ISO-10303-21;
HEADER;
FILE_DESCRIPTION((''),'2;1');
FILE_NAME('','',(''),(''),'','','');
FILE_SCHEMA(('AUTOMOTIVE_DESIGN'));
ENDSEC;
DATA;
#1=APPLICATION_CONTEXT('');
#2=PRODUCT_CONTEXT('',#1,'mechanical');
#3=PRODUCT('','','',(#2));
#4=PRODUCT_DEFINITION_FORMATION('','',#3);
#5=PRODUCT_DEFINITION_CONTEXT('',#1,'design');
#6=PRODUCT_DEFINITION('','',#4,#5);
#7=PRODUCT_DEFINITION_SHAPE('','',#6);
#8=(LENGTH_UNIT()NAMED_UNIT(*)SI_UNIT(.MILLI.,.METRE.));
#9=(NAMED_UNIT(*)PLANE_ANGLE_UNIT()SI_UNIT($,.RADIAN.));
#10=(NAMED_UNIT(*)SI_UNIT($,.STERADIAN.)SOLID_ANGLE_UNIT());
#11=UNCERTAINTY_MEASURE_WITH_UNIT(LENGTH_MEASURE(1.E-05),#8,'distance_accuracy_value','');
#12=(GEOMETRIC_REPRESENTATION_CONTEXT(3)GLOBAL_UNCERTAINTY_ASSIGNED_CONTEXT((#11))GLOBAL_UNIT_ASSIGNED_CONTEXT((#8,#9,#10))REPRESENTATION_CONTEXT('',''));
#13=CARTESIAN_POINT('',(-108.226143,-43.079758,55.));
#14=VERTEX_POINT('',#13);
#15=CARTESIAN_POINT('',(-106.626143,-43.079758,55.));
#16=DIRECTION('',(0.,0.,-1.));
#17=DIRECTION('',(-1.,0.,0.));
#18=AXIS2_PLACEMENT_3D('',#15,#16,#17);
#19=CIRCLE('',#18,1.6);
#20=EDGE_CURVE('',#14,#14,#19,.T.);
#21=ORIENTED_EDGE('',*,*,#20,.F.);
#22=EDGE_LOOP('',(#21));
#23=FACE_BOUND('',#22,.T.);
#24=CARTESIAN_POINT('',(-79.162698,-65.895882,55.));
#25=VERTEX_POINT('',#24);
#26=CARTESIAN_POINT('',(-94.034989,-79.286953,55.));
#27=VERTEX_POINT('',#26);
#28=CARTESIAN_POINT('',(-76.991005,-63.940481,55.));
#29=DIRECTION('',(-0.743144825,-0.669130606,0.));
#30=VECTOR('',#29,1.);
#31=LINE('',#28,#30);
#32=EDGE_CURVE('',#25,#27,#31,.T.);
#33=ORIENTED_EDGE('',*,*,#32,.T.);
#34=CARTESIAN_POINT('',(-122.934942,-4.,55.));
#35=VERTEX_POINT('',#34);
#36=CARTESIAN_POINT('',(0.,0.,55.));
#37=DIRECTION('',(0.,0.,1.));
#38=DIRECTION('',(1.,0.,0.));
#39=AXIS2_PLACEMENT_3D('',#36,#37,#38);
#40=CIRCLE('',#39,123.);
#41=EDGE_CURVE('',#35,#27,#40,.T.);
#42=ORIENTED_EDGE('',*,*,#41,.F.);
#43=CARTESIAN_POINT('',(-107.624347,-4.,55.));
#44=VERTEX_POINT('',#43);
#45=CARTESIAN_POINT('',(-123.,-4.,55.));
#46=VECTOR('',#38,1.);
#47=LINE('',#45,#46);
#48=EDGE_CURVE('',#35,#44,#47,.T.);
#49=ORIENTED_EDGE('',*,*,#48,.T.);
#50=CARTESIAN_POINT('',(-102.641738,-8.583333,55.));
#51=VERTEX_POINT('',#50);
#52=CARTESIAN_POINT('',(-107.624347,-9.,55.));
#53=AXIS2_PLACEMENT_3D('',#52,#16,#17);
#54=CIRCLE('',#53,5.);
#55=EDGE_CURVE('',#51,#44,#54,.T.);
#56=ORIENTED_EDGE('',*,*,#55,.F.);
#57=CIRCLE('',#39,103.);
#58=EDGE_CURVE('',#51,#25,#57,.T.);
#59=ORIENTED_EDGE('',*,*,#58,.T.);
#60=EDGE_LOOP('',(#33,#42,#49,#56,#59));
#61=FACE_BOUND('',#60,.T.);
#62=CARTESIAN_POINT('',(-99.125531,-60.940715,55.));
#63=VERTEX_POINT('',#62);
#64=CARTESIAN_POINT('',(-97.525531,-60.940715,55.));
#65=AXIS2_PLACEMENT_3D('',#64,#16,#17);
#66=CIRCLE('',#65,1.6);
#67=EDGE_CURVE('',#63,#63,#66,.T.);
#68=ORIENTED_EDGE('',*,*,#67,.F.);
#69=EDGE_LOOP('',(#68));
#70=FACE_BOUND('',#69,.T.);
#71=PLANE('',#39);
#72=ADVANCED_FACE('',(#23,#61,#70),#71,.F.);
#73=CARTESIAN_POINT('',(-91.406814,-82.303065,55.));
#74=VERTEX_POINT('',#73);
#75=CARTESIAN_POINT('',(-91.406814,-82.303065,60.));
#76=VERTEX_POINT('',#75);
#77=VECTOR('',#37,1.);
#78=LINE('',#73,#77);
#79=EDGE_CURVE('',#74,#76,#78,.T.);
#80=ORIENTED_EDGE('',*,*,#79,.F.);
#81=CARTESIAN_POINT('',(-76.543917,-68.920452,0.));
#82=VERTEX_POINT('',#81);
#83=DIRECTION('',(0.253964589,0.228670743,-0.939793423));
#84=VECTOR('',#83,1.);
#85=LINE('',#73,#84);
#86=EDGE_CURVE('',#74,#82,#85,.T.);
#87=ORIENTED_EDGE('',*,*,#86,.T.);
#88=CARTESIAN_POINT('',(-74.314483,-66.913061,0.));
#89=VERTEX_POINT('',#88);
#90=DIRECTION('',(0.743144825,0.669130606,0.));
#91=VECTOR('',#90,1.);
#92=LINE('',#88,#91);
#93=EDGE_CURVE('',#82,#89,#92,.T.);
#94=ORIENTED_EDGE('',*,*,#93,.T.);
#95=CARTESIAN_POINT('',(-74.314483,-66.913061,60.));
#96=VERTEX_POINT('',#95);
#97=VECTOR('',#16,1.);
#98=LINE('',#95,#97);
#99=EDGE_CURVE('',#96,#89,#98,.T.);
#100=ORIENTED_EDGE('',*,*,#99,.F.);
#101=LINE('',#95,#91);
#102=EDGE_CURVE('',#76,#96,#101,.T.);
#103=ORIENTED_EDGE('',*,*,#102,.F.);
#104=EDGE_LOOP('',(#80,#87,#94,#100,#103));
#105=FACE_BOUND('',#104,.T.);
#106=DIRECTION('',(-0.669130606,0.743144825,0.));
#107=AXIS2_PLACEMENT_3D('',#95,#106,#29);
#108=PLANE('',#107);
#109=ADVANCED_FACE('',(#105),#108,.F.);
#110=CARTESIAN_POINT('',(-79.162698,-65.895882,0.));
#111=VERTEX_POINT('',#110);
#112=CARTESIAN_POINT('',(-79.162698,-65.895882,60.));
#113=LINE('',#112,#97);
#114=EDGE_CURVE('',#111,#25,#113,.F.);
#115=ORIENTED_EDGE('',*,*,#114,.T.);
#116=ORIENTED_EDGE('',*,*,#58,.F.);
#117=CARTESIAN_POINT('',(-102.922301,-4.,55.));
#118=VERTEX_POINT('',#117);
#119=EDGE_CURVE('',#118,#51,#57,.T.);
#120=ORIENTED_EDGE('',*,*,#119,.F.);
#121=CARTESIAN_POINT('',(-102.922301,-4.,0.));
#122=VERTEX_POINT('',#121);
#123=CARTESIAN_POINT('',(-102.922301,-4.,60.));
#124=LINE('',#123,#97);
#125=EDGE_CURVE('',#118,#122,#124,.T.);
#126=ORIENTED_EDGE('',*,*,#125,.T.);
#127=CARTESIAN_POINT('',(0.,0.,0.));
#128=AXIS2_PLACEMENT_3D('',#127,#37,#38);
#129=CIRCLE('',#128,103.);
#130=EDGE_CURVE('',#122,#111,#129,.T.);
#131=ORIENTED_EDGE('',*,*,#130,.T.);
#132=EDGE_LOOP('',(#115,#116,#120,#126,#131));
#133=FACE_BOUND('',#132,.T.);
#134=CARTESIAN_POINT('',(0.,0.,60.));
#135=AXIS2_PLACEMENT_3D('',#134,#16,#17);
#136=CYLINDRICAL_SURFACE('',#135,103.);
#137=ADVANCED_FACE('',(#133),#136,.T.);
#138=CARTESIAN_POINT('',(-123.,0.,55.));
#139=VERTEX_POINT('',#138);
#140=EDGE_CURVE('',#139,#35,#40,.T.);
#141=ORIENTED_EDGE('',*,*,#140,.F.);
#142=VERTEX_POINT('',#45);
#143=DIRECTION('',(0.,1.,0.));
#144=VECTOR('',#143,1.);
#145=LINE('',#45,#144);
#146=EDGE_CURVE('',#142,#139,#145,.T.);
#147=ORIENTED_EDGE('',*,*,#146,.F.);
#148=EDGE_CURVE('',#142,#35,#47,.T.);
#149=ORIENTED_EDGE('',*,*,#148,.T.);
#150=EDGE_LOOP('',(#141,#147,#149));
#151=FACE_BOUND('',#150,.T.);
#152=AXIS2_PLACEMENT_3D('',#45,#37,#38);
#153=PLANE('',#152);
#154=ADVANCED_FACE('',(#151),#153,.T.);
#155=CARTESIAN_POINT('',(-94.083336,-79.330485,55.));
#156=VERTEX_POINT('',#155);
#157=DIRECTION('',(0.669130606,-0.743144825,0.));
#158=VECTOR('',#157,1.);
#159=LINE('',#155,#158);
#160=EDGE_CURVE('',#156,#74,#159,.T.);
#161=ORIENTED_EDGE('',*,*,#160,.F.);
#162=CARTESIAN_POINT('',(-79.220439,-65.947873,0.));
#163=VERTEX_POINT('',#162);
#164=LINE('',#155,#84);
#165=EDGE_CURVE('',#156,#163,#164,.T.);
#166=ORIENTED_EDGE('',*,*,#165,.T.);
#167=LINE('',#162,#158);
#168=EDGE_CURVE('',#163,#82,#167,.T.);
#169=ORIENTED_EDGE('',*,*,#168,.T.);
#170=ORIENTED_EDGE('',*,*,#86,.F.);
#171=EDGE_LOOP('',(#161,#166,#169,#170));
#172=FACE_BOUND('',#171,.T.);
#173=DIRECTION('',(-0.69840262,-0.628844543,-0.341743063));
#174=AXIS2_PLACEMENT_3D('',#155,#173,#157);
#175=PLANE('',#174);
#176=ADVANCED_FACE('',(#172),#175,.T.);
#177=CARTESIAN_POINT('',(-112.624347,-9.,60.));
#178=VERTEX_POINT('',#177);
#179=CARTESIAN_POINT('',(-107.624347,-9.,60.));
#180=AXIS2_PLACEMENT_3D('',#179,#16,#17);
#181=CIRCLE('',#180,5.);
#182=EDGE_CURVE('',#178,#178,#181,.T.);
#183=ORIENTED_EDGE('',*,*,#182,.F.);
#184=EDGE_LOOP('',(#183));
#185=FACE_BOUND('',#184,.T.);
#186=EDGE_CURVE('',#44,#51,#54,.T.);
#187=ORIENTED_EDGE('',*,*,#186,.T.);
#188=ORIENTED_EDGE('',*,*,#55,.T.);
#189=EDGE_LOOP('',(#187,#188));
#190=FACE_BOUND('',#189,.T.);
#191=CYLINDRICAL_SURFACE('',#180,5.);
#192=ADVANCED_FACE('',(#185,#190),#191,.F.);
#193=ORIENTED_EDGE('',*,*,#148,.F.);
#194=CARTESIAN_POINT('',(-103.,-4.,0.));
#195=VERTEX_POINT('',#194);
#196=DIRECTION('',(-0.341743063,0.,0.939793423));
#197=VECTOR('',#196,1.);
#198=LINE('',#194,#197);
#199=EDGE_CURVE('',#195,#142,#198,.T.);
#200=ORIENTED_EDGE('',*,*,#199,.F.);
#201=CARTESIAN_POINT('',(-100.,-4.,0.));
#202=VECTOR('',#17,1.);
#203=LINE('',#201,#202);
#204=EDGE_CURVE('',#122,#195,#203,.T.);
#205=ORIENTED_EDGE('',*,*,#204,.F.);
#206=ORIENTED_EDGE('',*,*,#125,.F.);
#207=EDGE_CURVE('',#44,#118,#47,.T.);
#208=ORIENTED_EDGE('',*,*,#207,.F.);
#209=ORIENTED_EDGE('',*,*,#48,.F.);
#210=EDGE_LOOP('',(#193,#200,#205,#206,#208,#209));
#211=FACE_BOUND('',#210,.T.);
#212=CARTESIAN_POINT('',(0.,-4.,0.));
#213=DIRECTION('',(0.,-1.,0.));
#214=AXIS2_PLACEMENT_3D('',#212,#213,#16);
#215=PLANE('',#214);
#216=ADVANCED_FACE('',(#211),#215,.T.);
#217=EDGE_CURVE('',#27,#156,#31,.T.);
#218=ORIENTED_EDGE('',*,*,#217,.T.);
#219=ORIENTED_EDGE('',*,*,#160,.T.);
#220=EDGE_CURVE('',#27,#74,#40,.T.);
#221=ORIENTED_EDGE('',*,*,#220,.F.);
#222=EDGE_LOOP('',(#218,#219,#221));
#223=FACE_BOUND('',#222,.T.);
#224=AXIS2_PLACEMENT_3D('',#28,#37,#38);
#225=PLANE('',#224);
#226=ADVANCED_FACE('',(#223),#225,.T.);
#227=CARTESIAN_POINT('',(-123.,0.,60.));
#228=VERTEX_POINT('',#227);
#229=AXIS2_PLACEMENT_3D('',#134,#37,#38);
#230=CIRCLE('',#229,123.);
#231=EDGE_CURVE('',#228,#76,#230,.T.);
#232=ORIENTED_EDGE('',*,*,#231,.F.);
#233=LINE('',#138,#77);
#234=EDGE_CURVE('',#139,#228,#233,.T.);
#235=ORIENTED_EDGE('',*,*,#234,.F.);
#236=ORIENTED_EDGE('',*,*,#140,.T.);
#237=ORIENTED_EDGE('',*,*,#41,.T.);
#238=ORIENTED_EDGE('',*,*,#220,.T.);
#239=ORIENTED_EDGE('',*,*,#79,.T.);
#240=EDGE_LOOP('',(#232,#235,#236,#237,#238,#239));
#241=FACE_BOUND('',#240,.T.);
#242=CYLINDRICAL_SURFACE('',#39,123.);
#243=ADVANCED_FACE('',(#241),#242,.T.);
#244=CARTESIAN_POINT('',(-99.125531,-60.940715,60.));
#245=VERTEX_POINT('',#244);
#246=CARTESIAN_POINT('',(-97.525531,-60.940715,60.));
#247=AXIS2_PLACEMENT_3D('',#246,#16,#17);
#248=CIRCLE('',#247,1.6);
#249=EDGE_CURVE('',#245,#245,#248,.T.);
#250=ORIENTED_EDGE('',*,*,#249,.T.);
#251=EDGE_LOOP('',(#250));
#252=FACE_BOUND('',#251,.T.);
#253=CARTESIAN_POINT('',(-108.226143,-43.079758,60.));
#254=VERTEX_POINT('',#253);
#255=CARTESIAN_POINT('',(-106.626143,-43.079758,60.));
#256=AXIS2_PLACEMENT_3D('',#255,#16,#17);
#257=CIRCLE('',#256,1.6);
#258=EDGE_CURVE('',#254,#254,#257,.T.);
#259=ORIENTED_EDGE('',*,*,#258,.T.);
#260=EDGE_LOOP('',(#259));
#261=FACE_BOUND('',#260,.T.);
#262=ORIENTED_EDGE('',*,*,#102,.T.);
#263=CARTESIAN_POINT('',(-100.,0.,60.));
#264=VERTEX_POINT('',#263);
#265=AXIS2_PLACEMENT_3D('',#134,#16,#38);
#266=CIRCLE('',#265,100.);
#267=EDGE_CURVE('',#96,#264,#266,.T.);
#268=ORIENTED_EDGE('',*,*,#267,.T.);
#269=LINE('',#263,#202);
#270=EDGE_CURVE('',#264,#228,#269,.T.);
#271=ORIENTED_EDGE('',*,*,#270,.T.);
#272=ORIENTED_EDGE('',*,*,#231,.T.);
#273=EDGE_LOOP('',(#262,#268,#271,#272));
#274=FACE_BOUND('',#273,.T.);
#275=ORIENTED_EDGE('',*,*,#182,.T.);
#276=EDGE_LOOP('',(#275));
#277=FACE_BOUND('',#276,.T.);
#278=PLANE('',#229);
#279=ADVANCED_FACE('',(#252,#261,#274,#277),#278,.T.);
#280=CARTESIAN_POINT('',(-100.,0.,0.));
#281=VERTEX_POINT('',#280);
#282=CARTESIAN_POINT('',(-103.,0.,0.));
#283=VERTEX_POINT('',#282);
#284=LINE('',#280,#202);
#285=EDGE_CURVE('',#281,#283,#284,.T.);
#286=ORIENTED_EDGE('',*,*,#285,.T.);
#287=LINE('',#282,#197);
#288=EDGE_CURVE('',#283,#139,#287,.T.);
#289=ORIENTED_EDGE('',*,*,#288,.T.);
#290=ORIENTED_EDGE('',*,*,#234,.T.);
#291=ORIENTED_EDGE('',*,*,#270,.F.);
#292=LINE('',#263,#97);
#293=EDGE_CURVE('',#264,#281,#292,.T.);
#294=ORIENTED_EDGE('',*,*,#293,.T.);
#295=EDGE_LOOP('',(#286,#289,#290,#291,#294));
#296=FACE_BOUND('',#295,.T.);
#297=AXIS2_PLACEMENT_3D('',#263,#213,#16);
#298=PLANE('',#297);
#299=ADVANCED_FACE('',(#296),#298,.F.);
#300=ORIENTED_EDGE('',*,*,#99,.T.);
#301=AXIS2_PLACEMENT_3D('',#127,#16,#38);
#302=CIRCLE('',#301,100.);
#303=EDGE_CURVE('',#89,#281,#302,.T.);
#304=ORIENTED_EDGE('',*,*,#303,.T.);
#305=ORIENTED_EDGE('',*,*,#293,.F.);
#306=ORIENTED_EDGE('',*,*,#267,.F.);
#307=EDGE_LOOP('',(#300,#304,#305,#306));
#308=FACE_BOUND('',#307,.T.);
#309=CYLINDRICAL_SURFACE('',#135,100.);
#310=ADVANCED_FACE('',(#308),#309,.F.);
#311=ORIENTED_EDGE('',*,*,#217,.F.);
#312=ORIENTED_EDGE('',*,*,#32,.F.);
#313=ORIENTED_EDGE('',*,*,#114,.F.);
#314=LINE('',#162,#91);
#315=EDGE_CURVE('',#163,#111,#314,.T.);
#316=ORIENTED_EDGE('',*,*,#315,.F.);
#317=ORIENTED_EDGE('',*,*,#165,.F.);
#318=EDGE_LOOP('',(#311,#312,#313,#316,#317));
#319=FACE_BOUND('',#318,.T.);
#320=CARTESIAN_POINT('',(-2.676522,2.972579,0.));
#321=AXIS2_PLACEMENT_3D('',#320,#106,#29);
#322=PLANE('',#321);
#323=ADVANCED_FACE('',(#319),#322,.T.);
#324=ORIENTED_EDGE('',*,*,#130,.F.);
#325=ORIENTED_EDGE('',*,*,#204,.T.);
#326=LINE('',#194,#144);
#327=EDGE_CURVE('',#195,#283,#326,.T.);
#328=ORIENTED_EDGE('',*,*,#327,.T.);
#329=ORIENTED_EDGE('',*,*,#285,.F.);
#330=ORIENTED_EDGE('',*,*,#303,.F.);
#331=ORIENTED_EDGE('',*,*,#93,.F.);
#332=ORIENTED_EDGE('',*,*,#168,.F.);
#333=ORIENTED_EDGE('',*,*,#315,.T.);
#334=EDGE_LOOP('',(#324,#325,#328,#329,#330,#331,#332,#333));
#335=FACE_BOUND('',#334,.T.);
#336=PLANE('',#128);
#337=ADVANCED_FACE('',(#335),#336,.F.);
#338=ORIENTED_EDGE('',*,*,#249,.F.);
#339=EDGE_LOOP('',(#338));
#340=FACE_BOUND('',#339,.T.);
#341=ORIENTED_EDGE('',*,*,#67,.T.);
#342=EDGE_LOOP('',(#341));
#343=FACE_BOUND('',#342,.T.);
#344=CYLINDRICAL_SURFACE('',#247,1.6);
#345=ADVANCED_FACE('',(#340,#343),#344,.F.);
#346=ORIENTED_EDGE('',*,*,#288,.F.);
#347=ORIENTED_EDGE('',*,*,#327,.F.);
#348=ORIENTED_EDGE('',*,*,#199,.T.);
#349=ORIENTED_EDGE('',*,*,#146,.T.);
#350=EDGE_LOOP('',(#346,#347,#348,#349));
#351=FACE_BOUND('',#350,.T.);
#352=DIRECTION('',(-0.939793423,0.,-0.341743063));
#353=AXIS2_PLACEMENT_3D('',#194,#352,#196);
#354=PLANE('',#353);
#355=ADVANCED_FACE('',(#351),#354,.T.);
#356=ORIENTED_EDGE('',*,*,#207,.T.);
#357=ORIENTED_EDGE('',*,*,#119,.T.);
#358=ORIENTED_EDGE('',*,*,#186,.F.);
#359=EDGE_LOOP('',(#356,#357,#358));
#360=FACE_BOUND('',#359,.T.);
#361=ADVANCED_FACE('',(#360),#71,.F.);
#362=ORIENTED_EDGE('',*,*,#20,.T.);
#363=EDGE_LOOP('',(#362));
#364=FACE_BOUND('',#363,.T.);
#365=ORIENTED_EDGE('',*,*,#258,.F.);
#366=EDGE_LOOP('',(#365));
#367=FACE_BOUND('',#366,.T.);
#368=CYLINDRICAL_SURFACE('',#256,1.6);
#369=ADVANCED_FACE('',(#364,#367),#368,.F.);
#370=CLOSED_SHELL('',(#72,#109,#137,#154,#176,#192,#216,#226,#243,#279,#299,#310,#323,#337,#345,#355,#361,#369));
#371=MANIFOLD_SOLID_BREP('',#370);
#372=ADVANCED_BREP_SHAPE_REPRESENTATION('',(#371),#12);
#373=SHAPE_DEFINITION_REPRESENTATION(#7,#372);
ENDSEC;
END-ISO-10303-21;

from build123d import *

# Parameters (mm, degrees)
EXTRUDE_1_DEPTH     = 60
EXTRUDE_2_DEPTH     = 5
SKETCH_4_R          = 1.6
CUT_EXTRUDE_1_DEPTH = 158.885383869
EXTRUDE_3_DEPTH     = 4
EXTRUDE_4_DEPTH     = 4
SKETCH_7_R          = 5
CUT_EXTRUDE_2_DEPTH = 158.885383869


with BuildPart() as part:
    # 草图1 → 凸台-拉伸1 (new body)
    with BuildSketch(Plane.XY):
        with BuildLine():
            Line((-100, 0), (-103, 0))
            ThreePointArc((-103, 0), (-96.158783929, -36.911898803), (-76.543917024, -68.920452455))
            Line((-76.543917024, -68.920452455), (-74.314482548, -66.913060636))
            ThreePointArc((-74.314482548, -66.913060636), (-93.35804265, -35.836794955), (-100, 0))
        make_face()
    extrude(amount=EXTRUDE_1_DEPTH)

    # 草图2 → 凸台-拉伸2 (add)
    with BuildSketch(Plane.XY.offset(60)):
        with BuildLine():
            Line((-75.335122837, -67.83204928), (-91.406813534, -82.303064582))
            ThreePointArc((-91.406813534, -82.303064582), (-114.830392459, -44.079257794), (-123, 0))
            Line((-123, 0), (-101.373406978, 0))
            ThreePointArc((-101.373406978, 0), (-94.640228522, -36.328979997), (-75.335122837, -67.83204928))
        make_face()
    extrude(amount=-EXTRUDE_2_DEPTH)

    # 草图4 → 切除-拉伸1 (cut, through all)
    with BuildSketch(Plane(origin=(0, 0, 55), x_dir=(-1, 0, 0), z_dir=(0, 0, -1))):
        with Locations((97.525531058, -60.940715387)):
            Circle(SKETCH_4_R)
        with Locations((106.626143275, -43.079758243)):
            Circle(SKETCH_4_R)
    extrude(amount=-CUT_EXTRUDE_1_DEPTH, mode=Mode.SUBTRACT)

    # 草图5 → 凸台-拉伸3 (add)
    with BuildSketch(Plane(origin=(0, 0, 0), x_dir=(1, 0, 0), z_dir=(0, 1, 0))):
        Polygon((-103, 0), (-123, -55), (-100, -55), (-100, 0), align=None)
    extrude(amount=-EXTRUDE_3_DEPTH)

    # 草图6 → 凸台-拉伸4 (add)
    with BuildSketch(Plane(origin=(0, 0, 0), x_dir=(0, 0, -1), z_dir=(0.6691306063588633, -0.7431448254773898, 0))):
        Polygon((-55, -123), (0, -103), (0, -100), (-55, -100), align=None)
    extrude(amount=-EXTRUDE_4_DEPTH)

    # 草图7 → 切除-拉伸2 (cut, through all)
    with BuildSketch(Plane(origin=(0, 0, 55), x_dir=(-1, 0, 0), z_dir=(0, 0, -1))):
        with Locations((107.624346688, -9)):
            Circle(SKETCH_7_R)
    extrude(amount=-CUT_EXTRUDE_2_DEPTH, mode=Mode.SUBTRACT)


solid = part.part
